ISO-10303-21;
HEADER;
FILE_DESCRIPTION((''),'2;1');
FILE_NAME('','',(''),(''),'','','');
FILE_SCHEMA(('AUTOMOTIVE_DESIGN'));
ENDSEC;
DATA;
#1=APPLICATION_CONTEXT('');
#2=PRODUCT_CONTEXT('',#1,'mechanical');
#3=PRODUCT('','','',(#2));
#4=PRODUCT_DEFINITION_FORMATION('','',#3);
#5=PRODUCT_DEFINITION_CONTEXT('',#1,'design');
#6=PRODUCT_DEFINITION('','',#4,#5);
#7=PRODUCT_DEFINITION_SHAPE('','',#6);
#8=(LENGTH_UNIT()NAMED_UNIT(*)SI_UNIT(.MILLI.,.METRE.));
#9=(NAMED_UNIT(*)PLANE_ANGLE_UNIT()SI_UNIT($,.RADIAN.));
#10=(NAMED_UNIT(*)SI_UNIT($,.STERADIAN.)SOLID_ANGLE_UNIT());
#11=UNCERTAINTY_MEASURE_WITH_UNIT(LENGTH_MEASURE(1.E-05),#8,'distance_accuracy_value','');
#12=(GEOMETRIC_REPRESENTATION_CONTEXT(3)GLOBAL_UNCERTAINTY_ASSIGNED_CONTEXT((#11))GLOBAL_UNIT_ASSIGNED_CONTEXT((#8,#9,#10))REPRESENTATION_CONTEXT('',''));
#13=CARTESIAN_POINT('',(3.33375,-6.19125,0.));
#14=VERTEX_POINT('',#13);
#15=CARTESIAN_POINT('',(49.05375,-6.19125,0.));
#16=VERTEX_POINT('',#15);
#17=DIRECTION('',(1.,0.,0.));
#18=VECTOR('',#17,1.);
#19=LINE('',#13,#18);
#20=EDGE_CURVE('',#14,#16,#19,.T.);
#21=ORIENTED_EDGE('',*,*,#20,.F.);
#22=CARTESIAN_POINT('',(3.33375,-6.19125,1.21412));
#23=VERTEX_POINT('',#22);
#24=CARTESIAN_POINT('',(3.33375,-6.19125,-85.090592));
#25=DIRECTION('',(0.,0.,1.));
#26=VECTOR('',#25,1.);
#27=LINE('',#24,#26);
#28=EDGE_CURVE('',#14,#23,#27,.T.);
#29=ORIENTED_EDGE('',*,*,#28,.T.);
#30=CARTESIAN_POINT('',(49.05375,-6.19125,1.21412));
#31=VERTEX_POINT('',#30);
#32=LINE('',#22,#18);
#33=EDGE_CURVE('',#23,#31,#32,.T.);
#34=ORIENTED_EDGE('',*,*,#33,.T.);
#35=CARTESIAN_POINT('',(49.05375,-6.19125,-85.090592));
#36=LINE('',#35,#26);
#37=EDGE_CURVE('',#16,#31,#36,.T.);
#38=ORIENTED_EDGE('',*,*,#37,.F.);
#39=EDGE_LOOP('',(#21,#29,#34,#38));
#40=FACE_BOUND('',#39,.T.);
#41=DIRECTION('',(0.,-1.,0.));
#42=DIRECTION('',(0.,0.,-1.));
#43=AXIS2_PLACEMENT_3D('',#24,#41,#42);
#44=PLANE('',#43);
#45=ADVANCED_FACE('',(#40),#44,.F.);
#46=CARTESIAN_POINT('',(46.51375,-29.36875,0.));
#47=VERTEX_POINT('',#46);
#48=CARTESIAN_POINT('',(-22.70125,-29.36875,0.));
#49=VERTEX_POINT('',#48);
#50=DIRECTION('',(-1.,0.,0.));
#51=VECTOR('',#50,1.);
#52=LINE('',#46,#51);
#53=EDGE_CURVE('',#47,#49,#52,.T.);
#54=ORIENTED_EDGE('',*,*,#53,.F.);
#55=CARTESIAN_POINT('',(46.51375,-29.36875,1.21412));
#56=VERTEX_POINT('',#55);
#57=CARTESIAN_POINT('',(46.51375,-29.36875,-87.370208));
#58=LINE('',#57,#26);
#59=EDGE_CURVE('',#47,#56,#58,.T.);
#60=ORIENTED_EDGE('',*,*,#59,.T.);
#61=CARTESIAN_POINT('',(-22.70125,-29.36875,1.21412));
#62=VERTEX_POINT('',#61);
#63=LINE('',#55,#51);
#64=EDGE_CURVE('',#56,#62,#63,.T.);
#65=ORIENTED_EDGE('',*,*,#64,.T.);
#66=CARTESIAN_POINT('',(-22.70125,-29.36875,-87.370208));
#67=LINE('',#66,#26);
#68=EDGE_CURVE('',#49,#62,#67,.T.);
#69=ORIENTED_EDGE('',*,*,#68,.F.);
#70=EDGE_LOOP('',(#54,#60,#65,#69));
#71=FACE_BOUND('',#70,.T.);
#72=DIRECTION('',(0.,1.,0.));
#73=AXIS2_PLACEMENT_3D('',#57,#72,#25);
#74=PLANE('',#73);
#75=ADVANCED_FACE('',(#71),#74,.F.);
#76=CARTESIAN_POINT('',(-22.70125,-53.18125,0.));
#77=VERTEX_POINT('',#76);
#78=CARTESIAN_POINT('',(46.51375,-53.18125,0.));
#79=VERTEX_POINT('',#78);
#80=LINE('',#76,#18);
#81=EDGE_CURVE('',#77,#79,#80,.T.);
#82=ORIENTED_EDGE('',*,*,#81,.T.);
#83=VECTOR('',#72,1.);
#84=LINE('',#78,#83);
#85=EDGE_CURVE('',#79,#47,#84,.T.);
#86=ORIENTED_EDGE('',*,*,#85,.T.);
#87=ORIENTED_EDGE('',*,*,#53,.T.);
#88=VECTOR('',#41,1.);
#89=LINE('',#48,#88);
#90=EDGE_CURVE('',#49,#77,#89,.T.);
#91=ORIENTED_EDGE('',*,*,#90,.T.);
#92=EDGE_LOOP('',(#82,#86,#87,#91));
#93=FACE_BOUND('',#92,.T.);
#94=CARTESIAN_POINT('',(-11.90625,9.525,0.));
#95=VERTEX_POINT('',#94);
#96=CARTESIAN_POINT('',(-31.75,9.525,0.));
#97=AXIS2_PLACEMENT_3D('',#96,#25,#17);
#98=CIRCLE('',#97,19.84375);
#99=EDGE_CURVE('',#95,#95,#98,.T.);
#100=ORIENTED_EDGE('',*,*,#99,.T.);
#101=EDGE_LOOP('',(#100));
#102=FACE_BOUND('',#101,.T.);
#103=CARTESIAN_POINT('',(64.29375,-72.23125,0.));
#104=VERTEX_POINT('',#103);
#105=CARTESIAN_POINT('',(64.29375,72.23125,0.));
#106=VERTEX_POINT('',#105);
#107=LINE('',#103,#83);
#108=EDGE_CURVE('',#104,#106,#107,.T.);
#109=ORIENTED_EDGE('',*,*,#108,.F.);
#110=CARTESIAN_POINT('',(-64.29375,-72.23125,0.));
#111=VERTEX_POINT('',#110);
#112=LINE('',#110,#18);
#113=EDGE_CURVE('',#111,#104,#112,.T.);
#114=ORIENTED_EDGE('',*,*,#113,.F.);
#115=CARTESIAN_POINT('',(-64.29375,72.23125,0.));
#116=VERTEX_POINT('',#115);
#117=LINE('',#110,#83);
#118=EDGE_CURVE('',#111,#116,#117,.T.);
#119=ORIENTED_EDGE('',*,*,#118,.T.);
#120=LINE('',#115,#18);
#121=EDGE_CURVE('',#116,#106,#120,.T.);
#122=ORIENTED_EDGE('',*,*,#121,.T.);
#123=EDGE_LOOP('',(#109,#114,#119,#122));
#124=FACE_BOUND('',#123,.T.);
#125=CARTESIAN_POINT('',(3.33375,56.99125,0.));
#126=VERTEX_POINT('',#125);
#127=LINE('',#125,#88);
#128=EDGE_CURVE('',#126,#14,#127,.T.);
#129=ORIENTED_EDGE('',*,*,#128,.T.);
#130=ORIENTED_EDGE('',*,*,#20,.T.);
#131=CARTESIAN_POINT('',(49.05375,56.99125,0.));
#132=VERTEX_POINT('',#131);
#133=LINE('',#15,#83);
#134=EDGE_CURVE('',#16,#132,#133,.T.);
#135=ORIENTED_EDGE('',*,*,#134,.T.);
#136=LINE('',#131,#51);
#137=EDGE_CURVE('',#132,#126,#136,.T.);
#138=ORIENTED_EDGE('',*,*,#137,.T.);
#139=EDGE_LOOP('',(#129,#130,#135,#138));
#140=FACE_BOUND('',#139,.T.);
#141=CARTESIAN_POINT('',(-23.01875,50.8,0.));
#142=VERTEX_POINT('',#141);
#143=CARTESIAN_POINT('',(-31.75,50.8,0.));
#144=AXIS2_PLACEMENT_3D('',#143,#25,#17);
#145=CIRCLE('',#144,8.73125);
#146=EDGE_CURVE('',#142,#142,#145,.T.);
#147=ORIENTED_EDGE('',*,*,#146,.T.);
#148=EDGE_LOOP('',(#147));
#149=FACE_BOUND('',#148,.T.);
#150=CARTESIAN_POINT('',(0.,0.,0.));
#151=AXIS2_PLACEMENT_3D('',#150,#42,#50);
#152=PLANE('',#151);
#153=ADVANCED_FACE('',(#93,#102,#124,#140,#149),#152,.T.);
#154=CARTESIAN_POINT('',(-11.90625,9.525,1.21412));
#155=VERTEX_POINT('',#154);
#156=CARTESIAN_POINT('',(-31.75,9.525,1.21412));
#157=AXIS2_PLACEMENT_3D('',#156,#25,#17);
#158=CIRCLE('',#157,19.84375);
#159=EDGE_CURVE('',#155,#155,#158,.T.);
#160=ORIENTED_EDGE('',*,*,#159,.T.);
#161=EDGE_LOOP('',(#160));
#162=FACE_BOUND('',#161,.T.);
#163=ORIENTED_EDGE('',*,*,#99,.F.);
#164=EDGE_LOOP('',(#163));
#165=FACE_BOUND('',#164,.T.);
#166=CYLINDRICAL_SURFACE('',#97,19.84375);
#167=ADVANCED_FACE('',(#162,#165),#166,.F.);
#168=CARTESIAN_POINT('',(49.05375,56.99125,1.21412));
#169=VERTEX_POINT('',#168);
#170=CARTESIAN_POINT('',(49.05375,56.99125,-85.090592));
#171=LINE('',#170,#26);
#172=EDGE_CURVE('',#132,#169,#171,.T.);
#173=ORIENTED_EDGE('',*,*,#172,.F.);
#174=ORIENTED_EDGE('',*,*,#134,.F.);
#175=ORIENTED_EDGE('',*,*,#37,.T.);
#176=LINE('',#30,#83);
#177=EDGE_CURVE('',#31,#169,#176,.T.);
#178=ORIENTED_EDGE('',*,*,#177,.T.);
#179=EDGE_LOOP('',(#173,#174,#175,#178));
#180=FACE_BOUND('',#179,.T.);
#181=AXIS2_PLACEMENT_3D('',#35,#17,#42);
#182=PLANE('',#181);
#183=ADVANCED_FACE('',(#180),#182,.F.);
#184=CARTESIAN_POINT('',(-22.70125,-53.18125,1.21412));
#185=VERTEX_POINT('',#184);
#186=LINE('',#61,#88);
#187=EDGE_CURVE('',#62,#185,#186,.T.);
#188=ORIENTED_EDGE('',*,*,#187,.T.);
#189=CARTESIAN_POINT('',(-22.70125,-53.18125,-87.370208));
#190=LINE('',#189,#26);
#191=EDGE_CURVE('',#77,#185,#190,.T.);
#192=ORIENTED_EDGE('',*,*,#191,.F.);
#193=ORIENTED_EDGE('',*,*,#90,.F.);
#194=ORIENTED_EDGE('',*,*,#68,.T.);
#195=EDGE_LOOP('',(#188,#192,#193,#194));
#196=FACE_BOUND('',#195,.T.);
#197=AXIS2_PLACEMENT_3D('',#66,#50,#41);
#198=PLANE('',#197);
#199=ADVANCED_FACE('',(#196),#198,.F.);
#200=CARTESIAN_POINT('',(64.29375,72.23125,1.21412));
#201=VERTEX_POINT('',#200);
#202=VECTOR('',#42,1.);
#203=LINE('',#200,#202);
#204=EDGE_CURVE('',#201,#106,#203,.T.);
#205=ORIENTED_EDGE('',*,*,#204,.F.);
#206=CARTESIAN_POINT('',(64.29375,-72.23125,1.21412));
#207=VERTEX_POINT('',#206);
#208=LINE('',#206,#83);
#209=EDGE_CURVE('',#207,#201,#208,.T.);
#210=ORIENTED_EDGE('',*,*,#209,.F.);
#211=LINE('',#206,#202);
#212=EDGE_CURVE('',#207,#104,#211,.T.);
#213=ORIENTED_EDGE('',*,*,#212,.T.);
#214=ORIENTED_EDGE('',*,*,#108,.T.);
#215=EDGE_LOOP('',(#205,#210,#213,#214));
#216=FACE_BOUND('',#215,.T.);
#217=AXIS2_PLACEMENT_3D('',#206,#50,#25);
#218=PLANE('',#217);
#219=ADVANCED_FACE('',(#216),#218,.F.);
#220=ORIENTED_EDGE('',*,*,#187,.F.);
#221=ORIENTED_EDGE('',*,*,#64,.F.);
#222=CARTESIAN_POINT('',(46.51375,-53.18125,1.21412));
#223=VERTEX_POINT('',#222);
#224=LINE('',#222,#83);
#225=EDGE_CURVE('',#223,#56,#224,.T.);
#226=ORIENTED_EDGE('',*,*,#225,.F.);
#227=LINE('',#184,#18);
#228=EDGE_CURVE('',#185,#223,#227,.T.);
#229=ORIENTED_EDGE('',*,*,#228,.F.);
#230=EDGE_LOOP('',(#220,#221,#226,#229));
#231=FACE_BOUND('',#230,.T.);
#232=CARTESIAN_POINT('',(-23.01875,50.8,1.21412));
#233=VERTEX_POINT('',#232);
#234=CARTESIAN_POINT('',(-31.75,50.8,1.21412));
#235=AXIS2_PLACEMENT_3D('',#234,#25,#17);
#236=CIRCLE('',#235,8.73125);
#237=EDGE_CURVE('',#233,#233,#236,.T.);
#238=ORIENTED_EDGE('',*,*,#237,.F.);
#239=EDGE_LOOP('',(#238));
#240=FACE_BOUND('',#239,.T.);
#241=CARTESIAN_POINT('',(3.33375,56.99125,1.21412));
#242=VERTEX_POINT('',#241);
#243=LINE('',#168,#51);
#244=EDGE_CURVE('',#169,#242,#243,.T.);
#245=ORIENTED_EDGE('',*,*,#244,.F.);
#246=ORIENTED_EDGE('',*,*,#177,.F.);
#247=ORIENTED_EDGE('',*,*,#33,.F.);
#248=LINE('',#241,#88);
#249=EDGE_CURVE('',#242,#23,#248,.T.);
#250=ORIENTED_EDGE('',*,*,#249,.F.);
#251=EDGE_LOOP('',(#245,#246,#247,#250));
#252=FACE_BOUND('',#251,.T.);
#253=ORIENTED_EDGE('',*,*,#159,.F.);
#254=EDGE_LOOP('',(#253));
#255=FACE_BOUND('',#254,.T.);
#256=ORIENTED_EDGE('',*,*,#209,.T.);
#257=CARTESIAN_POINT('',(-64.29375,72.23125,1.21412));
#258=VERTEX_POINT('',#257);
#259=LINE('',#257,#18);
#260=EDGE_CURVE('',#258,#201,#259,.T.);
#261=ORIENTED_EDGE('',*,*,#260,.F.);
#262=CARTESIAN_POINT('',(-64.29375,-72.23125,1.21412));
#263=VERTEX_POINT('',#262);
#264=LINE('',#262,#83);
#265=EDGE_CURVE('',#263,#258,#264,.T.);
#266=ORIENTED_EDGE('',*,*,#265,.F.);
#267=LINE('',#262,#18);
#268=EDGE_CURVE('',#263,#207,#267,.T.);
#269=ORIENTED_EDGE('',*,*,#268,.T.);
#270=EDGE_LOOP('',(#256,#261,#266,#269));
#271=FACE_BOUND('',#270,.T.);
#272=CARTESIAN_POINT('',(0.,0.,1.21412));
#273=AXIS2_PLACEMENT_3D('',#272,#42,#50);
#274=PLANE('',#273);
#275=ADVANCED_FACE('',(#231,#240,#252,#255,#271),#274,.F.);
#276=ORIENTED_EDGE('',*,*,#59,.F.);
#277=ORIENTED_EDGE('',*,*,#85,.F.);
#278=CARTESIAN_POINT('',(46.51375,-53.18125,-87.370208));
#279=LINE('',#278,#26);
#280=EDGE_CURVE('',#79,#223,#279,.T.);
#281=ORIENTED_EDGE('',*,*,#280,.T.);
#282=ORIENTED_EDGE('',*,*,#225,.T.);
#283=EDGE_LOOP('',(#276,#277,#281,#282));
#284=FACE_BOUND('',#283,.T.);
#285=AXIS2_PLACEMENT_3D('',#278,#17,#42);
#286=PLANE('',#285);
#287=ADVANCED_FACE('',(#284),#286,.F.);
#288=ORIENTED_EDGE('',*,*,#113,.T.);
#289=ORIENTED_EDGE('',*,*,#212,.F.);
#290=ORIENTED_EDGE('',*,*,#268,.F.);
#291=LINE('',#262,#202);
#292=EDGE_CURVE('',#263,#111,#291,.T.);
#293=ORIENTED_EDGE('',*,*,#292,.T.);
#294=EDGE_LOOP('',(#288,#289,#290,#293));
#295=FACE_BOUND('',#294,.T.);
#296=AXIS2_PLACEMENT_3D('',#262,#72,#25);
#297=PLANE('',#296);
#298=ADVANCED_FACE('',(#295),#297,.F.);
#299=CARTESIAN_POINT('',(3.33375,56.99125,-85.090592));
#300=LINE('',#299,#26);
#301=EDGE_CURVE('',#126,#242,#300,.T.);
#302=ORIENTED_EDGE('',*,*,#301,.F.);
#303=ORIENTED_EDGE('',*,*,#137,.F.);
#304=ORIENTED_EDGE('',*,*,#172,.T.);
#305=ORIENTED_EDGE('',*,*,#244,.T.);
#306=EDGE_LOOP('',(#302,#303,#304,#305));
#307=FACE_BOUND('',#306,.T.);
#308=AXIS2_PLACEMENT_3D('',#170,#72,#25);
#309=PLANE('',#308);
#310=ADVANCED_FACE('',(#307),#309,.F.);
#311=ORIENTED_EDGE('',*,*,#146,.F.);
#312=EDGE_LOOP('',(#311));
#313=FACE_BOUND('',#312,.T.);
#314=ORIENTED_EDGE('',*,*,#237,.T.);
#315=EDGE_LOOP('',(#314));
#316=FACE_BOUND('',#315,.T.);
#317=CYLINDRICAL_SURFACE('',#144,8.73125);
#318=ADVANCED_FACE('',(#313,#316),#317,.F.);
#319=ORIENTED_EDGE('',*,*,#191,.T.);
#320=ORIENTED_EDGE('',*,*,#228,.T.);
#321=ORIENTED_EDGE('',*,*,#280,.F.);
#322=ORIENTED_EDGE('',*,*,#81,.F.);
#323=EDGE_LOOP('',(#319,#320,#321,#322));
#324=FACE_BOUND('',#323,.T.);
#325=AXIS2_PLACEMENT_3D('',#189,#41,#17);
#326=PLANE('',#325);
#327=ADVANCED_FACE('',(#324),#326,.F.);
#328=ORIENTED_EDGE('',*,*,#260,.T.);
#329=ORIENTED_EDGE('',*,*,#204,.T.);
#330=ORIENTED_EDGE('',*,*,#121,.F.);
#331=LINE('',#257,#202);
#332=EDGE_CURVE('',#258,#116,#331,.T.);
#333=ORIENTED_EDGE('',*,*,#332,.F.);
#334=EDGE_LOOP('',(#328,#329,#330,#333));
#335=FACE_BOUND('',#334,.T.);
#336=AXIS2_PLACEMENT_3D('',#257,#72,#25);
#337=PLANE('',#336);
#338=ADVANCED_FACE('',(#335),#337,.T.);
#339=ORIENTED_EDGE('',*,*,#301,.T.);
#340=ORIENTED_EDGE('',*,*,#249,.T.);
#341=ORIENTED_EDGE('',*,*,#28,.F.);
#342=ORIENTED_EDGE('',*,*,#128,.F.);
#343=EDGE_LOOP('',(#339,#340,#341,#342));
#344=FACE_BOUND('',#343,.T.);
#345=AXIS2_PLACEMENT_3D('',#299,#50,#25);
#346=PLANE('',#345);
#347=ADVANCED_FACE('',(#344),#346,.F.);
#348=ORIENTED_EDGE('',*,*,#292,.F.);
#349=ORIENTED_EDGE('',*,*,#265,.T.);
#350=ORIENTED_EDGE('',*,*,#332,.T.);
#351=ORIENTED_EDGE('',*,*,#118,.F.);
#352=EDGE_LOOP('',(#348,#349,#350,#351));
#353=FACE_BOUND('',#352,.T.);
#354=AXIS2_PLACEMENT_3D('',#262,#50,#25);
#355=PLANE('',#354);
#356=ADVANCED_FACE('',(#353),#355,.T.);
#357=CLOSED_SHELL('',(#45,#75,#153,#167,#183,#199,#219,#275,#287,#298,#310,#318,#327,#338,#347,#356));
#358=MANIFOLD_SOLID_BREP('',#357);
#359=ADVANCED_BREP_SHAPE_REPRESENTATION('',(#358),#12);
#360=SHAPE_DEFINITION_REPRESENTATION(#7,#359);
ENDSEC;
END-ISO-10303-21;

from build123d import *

# Parameters (mm, degrees)
SKETCH1_W           = 128.5875
SKETCH1_H           = 144.4625
BOSS_EXTRUDE1_DEPTH = 1.21412
SKETCH3_R           = 8.73125
SKETCH3_R_2         = 19.84375
SKETCH3_W           = 79.375
SKETCH3_H           = 36.5125
SKETCH3_W_2         = 50.8
SKETCH3_H_2         = 68.2625
CUT_EXTRUDE1_DEPTH  = 2.21412
SKETCH4_W           = 50.8
SKETCH4_H           = 68.2625
SKETCH4_W_2         = 45.72
SKETCH4_H_2         = 63.1825
BOSS_EXTRUDE2_DEPTH = 1.21412
SKETCH5_W           = 79.375
SKETCH5_H           = 36.5125
SKETCH5_W_2         = 69.215
SKETCH5_H_2         = 23.8125
BOSS_EXTRUDE3_DEPTH = 1.21412


with BuildPart() as part:
    # Sketch1 → Boss-Extrude1 (new body)
    with BuildSketch(Plane.XY):
        Rectangle(SKETCH1_W, SKETCH1_H)
    extrude(amount=BOSS_EXTRUDE1_DEPTH)

    # Sketch3 → Cut-Extrude1 (cut, through all)
    with BuildSketch(Plane.XY.offset(1.21412)):
        with Locations((-31.75, 50.8)):
            Circle(SKETCH3_R)
        with Locations((-31.75, 9.525)):
            Circle(SKETCH3_R_2)
        with Locations((11.90625, -41.275)):
            Rectangle(SKETCH3_W, SKETCH3_H)
        with Locations((26.19375, 25.4)):
            Rectangle(SKETCH3_W_2, SKETCH3_H_2)
    extrude(amount=-CUT_EXTRUDE1_DEPTH, mode=Mode.SUBTRACT)

    # Sketch4 → Boss-Extrude2 (add)
    with BuildSketch(Plane.XY.offset(1.21412)):
        with Locations((26.19375, 25.4)):
            Rectangle(SKETCH4_W, SKETCH4_H)
        with Locations((26.19375, 25.4)):
            Rectangle(SKETCH4_W_2, SKETCH4_H_2, mode=Mode.SUBTRACT)
    extrude(amount=-BOSS_EXTRUDE2_DEPTH)

    # Sketch5 → Boss-Extrude3 (add)
    with BuildSketch(Plane.XY.offset(1.21412)):
        with Locations((11.90625, -41.275)):
            Rectangle(SKETCH5_W, SKETCH5_H)
        with Locations((11.90625, -41.275)):
            Rectangle(SKETCH5_W_2, SKETCH5_H_2, mode=Mode.SUBTRACT)
    extrude(amount=-BOSS_EXTRUDE3_DEPTH)


solid = part.part
